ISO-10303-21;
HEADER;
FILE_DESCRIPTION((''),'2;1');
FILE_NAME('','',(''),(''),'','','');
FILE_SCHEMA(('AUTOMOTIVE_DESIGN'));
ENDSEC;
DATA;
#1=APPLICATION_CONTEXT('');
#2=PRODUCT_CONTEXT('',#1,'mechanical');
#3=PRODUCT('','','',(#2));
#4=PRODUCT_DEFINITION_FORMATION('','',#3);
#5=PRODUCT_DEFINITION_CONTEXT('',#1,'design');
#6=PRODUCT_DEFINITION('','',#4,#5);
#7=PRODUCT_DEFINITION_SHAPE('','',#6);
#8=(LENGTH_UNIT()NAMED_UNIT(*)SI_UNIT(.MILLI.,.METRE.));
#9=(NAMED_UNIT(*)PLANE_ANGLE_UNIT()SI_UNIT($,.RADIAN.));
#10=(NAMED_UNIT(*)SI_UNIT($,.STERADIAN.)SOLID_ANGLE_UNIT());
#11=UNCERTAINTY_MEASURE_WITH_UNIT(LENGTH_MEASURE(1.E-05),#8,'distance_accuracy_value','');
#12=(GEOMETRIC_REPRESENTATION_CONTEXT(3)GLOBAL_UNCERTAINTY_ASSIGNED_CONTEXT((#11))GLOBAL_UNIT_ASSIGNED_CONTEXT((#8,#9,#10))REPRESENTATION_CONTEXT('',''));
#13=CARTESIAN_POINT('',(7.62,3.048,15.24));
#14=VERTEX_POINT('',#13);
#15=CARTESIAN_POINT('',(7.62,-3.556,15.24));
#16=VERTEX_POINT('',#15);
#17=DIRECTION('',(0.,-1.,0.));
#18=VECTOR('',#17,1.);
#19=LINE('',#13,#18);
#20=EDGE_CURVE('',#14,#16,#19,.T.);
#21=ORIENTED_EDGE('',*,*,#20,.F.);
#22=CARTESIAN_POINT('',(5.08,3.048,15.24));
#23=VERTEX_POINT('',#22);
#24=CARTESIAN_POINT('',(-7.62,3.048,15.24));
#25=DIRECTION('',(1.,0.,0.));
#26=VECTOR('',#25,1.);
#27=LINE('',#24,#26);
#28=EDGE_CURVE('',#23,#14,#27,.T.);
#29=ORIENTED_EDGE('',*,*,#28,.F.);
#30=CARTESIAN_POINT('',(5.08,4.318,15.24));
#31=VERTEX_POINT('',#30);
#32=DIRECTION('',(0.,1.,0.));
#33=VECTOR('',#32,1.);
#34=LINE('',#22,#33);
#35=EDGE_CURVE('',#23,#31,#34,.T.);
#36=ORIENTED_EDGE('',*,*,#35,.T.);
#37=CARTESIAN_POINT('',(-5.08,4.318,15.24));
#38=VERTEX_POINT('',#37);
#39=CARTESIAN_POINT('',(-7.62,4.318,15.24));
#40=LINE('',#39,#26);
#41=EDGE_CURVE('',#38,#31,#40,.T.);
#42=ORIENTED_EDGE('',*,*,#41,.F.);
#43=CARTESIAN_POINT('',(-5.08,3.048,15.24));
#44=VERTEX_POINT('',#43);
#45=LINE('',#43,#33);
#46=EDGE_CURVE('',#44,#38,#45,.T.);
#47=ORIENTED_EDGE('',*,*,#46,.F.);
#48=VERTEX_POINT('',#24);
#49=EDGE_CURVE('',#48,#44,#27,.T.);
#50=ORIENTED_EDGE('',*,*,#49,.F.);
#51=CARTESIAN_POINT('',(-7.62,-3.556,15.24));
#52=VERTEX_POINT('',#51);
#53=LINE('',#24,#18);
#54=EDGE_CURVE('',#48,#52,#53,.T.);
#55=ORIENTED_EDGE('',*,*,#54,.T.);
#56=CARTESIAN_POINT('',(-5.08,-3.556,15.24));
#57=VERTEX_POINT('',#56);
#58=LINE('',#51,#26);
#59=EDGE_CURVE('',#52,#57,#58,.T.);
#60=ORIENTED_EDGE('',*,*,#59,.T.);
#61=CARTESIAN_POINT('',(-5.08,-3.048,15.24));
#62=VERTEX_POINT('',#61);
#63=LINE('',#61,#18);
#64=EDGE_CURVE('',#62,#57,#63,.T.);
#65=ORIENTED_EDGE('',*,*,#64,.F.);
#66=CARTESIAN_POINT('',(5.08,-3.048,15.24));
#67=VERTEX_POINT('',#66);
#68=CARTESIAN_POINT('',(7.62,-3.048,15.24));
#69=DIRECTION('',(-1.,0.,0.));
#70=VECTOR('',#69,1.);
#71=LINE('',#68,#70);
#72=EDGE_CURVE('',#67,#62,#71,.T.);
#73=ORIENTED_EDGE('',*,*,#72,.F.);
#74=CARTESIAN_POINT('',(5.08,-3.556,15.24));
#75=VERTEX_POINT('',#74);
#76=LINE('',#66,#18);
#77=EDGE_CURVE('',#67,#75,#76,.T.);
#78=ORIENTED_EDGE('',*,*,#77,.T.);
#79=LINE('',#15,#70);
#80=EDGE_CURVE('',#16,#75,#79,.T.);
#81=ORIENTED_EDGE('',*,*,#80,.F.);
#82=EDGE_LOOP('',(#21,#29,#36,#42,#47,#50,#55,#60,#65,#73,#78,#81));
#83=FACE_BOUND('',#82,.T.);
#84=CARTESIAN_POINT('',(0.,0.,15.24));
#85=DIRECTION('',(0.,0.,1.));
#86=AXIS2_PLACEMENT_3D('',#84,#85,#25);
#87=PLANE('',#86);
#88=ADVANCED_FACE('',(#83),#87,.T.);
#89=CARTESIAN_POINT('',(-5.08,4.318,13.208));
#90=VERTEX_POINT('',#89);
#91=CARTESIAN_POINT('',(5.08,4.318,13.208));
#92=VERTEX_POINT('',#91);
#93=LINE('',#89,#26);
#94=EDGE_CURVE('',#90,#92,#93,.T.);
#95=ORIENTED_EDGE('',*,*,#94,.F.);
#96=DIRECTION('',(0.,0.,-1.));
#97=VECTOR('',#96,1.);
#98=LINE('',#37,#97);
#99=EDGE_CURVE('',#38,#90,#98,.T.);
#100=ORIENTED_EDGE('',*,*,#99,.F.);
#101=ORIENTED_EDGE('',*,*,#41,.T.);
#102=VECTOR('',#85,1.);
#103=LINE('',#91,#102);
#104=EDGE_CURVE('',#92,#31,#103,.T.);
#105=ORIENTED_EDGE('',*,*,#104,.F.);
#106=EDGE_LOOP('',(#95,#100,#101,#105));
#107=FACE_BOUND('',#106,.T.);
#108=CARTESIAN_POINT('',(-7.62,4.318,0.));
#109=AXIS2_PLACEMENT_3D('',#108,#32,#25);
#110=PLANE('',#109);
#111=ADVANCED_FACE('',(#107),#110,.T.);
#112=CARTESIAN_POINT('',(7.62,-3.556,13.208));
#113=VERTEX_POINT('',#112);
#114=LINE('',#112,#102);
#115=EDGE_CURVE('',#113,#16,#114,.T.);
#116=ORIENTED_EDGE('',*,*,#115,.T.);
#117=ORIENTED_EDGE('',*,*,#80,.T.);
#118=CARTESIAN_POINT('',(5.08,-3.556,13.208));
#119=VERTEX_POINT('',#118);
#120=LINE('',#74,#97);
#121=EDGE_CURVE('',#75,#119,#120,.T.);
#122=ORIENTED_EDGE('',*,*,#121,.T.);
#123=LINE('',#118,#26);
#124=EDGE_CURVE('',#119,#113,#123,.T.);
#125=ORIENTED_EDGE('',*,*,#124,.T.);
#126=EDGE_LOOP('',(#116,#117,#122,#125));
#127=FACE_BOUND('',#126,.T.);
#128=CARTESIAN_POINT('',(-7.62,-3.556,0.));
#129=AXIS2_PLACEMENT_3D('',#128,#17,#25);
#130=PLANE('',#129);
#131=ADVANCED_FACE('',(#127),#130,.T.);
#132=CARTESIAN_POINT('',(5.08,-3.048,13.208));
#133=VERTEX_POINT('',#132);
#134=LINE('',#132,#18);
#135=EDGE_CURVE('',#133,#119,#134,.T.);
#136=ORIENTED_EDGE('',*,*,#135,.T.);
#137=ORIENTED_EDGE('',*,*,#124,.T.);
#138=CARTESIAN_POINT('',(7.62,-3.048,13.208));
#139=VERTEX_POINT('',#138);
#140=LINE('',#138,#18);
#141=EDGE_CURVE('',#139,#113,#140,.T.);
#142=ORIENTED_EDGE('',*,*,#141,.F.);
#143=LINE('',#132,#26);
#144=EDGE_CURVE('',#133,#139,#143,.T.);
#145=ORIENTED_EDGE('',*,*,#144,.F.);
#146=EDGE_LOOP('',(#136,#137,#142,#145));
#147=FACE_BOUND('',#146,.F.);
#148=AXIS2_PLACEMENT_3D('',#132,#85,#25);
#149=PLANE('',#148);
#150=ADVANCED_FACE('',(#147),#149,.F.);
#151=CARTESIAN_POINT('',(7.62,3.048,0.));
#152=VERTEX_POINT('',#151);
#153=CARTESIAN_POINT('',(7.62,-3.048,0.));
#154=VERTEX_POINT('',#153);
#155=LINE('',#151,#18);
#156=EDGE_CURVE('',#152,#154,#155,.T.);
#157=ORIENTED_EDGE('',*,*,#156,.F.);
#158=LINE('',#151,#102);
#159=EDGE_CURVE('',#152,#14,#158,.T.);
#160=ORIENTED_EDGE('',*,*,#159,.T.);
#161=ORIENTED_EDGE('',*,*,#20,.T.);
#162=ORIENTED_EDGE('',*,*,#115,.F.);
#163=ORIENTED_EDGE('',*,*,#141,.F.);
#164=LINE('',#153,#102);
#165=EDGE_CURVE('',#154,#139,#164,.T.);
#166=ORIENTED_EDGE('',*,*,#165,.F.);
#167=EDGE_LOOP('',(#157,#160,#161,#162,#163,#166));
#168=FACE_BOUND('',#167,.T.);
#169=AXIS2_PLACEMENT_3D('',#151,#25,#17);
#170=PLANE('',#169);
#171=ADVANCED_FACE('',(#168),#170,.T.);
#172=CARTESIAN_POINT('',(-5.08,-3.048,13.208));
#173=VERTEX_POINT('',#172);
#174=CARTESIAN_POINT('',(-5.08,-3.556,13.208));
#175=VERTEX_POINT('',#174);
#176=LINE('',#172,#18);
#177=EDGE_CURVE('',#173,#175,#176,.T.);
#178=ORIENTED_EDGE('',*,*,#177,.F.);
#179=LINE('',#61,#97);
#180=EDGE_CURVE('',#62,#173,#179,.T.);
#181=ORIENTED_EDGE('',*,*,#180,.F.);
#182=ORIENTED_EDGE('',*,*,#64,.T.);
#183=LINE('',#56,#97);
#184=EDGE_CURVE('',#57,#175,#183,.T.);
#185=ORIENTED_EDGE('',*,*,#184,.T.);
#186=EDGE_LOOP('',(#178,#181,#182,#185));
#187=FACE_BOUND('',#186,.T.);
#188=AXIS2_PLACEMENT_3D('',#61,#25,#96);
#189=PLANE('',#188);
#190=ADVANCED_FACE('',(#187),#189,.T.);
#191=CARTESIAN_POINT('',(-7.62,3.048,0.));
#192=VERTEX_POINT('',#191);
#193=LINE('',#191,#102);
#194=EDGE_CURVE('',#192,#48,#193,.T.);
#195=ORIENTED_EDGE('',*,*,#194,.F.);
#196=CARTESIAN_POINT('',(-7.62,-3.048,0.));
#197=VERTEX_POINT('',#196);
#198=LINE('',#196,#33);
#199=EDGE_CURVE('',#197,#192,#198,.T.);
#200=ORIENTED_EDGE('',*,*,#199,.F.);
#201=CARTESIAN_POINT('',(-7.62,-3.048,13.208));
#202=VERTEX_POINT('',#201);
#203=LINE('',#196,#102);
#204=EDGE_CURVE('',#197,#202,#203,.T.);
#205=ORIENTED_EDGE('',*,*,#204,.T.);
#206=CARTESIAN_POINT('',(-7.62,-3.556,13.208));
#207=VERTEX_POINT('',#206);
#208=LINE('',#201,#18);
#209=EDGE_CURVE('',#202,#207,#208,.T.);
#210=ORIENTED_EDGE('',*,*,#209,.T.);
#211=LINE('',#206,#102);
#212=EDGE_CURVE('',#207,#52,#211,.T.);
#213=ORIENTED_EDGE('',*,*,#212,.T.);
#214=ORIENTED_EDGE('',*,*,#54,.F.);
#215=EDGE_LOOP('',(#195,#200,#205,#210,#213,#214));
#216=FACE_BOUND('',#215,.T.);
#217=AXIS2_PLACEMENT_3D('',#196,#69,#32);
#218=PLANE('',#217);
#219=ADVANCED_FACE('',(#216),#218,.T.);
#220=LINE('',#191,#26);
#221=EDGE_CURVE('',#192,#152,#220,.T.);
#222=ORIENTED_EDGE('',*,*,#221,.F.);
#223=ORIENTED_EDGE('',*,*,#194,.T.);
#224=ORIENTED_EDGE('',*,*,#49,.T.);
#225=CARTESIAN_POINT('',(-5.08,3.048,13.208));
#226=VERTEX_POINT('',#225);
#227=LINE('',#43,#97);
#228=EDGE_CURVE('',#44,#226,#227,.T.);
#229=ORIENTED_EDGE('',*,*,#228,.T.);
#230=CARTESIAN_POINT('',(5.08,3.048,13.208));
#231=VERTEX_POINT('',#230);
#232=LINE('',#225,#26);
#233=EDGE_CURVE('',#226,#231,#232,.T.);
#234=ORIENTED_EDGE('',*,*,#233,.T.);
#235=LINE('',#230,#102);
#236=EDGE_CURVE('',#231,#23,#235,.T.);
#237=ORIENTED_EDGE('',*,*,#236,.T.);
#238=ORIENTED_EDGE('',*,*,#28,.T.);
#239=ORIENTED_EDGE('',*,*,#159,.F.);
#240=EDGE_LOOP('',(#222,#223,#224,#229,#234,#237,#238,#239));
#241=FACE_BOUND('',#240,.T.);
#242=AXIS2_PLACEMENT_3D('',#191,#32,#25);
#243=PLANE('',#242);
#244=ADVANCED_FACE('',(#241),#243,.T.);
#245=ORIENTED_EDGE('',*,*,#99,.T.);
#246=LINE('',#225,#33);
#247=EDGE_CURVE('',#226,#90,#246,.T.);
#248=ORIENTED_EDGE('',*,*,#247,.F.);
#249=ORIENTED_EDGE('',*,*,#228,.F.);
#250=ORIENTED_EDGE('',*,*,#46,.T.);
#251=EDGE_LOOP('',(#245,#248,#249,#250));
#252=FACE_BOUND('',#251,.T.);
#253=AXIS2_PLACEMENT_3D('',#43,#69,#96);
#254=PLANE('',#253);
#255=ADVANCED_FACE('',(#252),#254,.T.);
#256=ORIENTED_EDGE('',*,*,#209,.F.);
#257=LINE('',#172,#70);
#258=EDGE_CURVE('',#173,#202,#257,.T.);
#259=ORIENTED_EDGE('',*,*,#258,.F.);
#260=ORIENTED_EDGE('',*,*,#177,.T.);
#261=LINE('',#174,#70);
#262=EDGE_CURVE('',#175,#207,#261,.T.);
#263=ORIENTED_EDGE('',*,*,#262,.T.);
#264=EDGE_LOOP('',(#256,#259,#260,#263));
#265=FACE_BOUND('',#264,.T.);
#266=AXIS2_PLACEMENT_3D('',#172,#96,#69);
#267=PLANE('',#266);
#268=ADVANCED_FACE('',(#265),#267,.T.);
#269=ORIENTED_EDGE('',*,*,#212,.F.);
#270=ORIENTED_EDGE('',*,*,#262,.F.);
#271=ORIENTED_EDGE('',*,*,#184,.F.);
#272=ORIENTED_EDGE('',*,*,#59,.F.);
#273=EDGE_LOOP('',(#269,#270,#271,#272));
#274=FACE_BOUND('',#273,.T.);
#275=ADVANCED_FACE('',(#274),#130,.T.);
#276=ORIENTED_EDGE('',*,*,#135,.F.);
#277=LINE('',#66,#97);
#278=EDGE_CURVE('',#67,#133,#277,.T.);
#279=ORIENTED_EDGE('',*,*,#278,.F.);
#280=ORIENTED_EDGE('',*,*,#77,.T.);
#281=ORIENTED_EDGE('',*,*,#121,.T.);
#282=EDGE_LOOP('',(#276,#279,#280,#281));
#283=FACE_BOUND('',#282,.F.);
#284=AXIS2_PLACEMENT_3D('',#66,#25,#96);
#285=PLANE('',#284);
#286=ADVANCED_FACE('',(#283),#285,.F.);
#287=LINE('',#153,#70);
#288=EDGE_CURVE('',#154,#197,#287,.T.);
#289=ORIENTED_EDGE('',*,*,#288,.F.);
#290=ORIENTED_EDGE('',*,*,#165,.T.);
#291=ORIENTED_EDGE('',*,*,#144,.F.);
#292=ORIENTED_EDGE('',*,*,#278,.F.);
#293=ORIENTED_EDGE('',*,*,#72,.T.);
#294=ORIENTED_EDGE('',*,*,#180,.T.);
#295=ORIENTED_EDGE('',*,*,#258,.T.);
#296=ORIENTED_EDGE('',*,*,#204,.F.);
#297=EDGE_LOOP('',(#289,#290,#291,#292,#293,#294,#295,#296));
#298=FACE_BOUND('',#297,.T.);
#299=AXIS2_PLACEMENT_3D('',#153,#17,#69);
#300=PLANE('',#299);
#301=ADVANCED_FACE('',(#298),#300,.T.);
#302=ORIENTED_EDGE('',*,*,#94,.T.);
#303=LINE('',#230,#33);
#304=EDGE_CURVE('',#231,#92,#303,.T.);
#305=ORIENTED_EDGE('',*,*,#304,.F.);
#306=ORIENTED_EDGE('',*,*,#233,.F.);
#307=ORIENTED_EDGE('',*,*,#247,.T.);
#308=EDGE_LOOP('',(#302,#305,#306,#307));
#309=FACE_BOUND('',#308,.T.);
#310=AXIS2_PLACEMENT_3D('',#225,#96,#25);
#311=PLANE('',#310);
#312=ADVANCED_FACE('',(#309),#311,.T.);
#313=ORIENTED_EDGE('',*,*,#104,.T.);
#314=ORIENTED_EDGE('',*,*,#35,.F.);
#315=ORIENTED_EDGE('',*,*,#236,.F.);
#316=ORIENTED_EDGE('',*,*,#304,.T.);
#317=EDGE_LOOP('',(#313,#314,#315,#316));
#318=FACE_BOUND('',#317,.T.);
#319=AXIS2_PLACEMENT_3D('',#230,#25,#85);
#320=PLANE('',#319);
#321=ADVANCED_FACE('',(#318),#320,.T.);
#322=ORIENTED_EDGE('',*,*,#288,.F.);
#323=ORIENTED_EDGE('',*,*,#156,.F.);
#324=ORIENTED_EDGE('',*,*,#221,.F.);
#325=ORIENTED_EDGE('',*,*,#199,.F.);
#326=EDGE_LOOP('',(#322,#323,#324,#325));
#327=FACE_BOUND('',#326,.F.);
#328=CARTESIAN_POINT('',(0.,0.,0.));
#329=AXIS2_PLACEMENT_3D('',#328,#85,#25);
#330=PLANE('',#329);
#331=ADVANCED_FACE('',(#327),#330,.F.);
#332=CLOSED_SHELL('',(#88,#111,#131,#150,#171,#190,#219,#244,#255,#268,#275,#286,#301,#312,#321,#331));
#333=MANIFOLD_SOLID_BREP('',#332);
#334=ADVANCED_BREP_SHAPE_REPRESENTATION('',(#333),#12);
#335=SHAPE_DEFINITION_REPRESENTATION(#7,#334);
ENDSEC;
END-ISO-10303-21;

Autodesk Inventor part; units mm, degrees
ref_plane "YZ Plane" through (0, 0, 0) normal (1, 0, 0) x (0, 1, 0)
ref_plane "XZ Plane" through (0, 0, 0) normal (0, 1, 0) x (-1, 0, 0)
sketch "Sketch1" plane through (0, 0, 0) normal (0, 0, 1) x (1, 0, 0)
  line L0 (-7.62, 3.048) -> (7.62, 3.048)
  line L1 (7.62, 3.048) -> (7.62, -3.048)
  line L2 (7.62, -3.048) -> (-7.62, -3.048)
  line L3 (-7.62, -3.048) -> (-7.62, 3.048)
  point P0 (0, 0)
  point P1 (0, -3.048)
  point P2 (-7.62, 0)
  dimension "d0" = 15.24
  dimension "d1" = 6.096
extrude "Extrusion1" add sketch "Sketch1" along normal blind 15.24
sketch "Sketch2" plane through (-7.62, 3.048, 0) normal (0, 1, 0) x (1, 0, 0)
  line L0 (0, -15.24) -> (15.24, -15.24) projected
  line L1 (2.54, -13.208) -> (12.7, -13.208)
  line L2 (12.7, -13.208) -> (12.7, -15.24)
  line L3 (12.7, -15.24) -> (2.54, -15.24)
  line L4 (2.54, -15.24) -> (2.54, -13.208)
  point P0 (7.62, -15.24)
  dimension "d4" = 10.16
  dimension "d5" = 2.032
extrude "Extrusion2" add sketch "Sketch2" along normal blind 1.27
sketch "Sketch3" plane through (-7.62, -3.048, 0) normal (0, -1, 0) x (1, 0, 0)
  line L0 (0, 15.24) -> (2.54, 15.24)
  line L1 (2.54, 15.24) -> (2.54, 13.208)
  line L2 (2.54, 13.208) -> (0, 13.208)
  line L3 (0, 13.208) -> (0, 15.24)
  line L4 (15.24, 15.24) -> (12.7, 15.24)
  line L5 (12.7, 15.24) -> (12.7, 13.208)
  line L6 (12.7, 13.208) -> (15.24, 13.208)
  line L7 (15.24, 13.208) -> (15.24, 15.24)
  dimension "d8" = 2.54
  dimension "d9" = 2.54
  dimension "d10" = 2.032
  dimension "d11" = 2.032
extrude "Extrusion3" add sketch "Sketch3" along normal blind 0.508
sketch "Sketch4" plane through (0, 0, 0) normal (0, 0, -1) x (-1, 0, 0)
  line L0 (7.62, 3.048) -> (-7.62, 3.048) projected
  line L1 (-7.62, 3.048) -> (-7.62, -3.048) projected
  line L2 (-7.62, -3.048) -> (7.62, -3.048) projected
  line L3 (7.62, -3.048) -> (7.62, 3.048) projected
  point P0 (-6.35, 1.27)
  point P1 (-3.81, 1.27)
  point P2 (3.81, 1.27)
  point P3 (6.35, 1.27)
  point P4 (-6.35, -1.27)
  point P5 (-3.81, -1.27)
  point P6 (3.81, -1.27)
  point P7 (6.35, -1.27)
  point P8 (0, 3.048)
  point P9 (-1.27, 1.27)
  point P10 (-1.27, -1.27)
  point P11 (1.27, 1.27)
  point P12 (1.27, -1.27)
  dimension "d14" = 1.27
  dimension "d15" = 1.778
  dimension "d16" = 1.27
  dimension "d17" = 1.778
  dimension "d18" = 2.54
  dimension "d19" = 2.54
  dimension "d20" = 2.54
  dimension "d21" = 2.54
ref_plane "Work Plane1" through (0, 0, -9.525) normal (0, 0, -1) x (-1, 0, 0)
sketch "Sketch5" plane through (0, 0, -9.525) normal (0, 0, -1) x (-1, 0, 0)
  point P0 (0, 0)
properties part number "12 Pin DR"
